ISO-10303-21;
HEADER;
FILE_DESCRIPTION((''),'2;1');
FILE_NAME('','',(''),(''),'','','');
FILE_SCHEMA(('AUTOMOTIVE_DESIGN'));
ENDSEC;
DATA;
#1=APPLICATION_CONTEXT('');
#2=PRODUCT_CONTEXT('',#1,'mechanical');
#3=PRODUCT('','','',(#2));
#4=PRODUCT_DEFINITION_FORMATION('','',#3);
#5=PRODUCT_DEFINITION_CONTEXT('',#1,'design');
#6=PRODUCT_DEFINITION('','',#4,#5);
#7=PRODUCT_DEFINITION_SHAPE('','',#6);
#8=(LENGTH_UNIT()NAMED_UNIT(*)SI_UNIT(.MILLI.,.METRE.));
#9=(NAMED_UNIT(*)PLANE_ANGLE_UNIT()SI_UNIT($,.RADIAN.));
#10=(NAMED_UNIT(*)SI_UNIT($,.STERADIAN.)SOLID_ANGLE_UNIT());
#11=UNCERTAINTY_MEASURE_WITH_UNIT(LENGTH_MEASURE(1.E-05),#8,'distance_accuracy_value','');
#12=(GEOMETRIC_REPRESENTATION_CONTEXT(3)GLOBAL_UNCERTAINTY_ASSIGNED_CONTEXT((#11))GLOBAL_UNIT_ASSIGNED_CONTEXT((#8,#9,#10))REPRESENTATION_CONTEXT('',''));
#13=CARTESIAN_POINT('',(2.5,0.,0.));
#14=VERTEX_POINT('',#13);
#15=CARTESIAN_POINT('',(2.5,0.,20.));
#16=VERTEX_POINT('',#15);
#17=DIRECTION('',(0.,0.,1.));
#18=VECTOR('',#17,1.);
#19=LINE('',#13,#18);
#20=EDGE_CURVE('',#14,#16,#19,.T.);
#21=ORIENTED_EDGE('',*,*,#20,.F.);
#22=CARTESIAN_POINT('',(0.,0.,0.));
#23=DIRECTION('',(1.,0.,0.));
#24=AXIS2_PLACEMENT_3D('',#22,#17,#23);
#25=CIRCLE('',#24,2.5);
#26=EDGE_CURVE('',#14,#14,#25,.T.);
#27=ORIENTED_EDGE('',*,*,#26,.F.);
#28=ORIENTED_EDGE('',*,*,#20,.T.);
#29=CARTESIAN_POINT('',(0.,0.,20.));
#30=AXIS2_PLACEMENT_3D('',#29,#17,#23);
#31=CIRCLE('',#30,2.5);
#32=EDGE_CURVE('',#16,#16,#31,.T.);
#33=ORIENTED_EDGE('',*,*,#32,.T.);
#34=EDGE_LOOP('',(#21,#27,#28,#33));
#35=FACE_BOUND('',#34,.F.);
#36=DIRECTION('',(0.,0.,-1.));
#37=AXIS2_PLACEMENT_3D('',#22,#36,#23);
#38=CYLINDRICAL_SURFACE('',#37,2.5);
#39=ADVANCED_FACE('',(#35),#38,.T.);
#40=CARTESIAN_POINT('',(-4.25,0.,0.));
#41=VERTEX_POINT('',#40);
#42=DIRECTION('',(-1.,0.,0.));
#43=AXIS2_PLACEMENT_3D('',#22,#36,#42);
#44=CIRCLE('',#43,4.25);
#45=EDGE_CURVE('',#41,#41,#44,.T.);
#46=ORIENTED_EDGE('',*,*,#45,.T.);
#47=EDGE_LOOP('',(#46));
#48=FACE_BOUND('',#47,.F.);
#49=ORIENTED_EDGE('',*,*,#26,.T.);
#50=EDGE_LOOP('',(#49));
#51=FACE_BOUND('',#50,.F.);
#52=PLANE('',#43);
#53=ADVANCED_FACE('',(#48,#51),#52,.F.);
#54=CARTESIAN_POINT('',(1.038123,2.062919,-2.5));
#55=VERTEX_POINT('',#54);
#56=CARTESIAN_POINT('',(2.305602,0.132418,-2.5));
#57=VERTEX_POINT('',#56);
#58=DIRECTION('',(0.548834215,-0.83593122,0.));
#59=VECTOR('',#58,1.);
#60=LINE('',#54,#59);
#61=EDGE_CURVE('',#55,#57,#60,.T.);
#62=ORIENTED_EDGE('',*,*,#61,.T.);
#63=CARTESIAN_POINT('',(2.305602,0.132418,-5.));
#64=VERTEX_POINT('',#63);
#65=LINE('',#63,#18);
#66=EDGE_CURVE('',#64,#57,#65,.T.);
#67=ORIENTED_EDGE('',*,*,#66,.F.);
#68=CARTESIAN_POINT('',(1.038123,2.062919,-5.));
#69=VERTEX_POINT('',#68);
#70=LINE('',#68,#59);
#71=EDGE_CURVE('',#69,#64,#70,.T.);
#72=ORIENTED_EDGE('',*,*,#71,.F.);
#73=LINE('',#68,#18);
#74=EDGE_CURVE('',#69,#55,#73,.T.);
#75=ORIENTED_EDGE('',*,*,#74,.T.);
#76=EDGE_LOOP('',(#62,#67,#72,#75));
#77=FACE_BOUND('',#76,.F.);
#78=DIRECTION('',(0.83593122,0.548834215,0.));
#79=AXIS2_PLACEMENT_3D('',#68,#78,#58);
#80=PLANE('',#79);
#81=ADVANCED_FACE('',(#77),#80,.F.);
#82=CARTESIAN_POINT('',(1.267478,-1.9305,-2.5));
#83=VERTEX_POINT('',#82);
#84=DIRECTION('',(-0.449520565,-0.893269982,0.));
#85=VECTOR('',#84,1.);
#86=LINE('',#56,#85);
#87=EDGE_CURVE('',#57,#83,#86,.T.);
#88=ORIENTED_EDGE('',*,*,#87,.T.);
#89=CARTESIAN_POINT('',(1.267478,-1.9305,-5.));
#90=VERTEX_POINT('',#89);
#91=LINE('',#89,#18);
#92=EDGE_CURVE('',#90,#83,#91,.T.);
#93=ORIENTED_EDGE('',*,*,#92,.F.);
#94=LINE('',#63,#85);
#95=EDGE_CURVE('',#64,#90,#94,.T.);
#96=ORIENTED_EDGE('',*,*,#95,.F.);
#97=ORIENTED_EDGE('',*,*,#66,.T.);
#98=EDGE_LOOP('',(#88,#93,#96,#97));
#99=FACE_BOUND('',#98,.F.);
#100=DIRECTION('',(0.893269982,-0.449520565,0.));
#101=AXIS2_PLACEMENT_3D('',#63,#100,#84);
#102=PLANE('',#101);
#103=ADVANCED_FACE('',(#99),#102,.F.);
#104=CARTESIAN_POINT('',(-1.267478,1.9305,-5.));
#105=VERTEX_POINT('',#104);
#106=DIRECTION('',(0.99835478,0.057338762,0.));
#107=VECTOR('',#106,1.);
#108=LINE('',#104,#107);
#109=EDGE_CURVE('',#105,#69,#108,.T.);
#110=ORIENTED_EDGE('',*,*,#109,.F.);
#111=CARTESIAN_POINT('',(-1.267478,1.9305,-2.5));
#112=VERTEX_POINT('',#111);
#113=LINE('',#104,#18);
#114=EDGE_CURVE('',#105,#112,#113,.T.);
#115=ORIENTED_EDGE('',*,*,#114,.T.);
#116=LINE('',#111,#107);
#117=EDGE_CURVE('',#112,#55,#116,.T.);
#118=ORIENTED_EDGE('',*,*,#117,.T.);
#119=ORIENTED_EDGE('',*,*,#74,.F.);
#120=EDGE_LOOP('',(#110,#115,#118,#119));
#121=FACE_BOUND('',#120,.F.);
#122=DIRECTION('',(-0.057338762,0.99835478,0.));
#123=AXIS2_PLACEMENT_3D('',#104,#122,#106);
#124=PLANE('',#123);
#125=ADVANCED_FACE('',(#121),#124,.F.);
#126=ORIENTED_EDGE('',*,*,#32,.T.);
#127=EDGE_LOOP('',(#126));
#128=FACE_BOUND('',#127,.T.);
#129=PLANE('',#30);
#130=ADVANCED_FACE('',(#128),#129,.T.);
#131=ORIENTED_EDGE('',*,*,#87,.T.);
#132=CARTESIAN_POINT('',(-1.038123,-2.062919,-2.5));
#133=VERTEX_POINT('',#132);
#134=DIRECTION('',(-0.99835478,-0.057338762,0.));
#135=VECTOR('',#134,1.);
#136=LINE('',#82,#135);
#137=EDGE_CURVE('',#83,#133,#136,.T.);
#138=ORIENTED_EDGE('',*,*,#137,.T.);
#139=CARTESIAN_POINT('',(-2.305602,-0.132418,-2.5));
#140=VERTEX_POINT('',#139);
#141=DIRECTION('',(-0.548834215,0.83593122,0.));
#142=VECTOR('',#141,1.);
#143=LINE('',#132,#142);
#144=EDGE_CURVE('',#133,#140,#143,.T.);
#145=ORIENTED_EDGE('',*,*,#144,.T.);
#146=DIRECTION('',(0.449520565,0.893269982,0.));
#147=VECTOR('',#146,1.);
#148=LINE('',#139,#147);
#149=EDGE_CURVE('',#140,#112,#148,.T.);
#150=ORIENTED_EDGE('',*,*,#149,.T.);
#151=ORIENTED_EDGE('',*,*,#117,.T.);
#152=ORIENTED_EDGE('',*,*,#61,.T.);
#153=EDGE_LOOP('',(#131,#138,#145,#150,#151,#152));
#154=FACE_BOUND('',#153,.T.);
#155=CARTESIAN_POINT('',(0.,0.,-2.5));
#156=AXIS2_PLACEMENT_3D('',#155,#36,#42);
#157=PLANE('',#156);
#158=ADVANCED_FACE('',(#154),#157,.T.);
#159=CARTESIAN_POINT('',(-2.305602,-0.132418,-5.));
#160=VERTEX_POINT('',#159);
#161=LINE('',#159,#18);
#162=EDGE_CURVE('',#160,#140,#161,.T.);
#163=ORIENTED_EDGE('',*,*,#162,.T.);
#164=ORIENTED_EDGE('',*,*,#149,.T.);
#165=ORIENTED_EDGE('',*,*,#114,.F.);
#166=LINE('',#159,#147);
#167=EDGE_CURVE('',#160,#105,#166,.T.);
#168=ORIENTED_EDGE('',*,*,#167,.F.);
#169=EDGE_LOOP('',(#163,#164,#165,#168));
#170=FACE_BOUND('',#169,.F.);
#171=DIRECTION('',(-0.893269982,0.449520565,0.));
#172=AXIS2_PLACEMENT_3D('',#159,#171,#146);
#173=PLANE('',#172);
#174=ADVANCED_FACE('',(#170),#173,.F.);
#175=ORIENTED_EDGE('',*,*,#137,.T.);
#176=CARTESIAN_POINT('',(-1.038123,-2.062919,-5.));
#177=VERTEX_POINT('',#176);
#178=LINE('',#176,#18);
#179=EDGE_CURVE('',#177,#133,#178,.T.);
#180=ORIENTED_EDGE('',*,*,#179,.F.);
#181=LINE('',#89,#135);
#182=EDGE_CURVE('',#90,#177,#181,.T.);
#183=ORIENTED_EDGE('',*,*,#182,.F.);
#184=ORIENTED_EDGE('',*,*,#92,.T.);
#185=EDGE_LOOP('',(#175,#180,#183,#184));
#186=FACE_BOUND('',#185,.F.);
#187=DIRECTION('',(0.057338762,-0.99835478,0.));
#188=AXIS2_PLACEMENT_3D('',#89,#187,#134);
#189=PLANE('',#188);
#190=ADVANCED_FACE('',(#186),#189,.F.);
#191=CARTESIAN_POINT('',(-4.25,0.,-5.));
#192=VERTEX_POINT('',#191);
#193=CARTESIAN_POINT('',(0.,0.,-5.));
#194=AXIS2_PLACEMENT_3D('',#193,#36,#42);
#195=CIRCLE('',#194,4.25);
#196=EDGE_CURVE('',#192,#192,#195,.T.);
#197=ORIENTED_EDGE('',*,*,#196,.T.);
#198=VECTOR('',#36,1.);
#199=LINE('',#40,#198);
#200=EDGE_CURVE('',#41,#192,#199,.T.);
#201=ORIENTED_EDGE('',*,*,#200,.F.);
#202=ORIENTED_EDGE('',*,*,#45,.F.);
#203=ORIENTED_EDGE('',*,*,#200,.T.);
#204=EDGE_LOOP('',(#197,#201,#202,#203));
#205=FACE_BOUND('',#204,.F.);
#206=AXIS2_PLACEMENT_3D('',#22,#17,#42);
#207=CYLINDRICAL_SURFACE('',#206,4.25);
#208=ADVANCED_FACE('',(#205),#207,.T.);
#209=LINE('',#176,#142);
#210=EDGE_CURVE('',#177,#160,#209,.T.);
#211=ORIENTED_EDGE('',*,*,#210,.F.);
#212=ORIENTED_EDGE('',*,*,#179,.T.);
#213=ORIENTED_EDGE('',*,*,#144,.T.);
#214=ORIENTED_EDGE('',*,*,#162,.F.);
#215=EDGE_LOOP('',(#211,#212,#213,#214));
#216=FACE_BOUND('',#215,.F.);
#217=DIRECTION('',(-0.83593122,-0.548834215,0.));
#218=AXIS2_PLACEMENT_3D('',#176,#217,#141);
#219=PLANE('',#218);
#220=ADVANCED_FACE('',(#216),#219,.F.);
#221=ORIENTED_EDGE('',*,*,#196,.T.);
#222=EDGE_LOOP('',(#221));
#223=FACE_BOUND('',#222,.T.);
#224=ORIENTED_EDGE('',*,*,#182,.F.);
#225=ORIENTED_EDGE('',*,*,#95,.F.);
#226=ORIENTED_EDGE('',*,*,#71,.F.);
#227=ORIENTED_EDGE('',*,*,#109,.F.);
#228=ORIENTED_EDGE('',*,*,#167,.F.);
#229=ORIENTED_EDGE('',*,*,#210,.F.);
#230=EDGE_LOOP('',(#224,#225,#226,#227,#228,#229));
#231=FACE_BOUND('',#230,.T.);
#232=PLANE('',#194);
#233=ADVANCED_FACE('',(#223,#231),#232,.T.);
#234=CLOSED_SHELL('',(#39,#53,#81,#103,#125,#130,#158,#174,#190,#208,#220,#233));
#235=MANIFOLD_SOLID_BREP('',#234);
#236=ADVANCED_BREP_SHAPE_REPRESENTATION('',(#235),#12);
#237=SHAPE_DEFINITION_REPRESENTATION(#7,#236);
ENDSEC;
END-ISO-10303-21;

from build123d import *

# Parameters (mm, degrees)
CROQUIS1_R              = 2.5
SALIENTE_EXTRUIR1_DEPTH = 20
CROQUIS2_R              = 4.25
SALIENTE_EXTRUIR2_DEPTH = 5
CORTAR_EXTRUIR1_DEPTH   = 2.5


with BuildPart() as part:
    # Croquis1 → Saliente-Extruir1 (new body)
    with BuildSketch(Plane.XY):
        Circle(CROQUIS1_R)
    extrude(amount=SALIENTE_EXTRUIR1_DEPTH)

    # Croquis2 → Saliente-Extruir2 (add)
    with BuildSketch(Plane(origin=(0, 0, 0), x_dir=(-1, 0, 0), z_dir=(0, 0, -1))):
        Circle(CROQUIS2_R)
    extrude(amount=SALIENTE_EXTRUIR2_DEPTH)

    # Croquis3 → Cortar-Extruir1 (cut)
    with BuildSketch(Plane(origin=(0, 0, -5), x_dir=(-1, 0, 0), z_dir=(0, 0, -1))):
        Polygon((1.267478326, 1.93050046), (-1.038123277, 2.062918659), (-2.305601603, 0.132418199), (-1.267478326, -1.93050046), (1.038123277, -2.062918659), (2.305601603, -0.132418199), align=None)
    extrude(amount=-CORTAR_EXTRUIR1_DEPTH, mode=Mode.SUBTRACT)


solid = part.part
